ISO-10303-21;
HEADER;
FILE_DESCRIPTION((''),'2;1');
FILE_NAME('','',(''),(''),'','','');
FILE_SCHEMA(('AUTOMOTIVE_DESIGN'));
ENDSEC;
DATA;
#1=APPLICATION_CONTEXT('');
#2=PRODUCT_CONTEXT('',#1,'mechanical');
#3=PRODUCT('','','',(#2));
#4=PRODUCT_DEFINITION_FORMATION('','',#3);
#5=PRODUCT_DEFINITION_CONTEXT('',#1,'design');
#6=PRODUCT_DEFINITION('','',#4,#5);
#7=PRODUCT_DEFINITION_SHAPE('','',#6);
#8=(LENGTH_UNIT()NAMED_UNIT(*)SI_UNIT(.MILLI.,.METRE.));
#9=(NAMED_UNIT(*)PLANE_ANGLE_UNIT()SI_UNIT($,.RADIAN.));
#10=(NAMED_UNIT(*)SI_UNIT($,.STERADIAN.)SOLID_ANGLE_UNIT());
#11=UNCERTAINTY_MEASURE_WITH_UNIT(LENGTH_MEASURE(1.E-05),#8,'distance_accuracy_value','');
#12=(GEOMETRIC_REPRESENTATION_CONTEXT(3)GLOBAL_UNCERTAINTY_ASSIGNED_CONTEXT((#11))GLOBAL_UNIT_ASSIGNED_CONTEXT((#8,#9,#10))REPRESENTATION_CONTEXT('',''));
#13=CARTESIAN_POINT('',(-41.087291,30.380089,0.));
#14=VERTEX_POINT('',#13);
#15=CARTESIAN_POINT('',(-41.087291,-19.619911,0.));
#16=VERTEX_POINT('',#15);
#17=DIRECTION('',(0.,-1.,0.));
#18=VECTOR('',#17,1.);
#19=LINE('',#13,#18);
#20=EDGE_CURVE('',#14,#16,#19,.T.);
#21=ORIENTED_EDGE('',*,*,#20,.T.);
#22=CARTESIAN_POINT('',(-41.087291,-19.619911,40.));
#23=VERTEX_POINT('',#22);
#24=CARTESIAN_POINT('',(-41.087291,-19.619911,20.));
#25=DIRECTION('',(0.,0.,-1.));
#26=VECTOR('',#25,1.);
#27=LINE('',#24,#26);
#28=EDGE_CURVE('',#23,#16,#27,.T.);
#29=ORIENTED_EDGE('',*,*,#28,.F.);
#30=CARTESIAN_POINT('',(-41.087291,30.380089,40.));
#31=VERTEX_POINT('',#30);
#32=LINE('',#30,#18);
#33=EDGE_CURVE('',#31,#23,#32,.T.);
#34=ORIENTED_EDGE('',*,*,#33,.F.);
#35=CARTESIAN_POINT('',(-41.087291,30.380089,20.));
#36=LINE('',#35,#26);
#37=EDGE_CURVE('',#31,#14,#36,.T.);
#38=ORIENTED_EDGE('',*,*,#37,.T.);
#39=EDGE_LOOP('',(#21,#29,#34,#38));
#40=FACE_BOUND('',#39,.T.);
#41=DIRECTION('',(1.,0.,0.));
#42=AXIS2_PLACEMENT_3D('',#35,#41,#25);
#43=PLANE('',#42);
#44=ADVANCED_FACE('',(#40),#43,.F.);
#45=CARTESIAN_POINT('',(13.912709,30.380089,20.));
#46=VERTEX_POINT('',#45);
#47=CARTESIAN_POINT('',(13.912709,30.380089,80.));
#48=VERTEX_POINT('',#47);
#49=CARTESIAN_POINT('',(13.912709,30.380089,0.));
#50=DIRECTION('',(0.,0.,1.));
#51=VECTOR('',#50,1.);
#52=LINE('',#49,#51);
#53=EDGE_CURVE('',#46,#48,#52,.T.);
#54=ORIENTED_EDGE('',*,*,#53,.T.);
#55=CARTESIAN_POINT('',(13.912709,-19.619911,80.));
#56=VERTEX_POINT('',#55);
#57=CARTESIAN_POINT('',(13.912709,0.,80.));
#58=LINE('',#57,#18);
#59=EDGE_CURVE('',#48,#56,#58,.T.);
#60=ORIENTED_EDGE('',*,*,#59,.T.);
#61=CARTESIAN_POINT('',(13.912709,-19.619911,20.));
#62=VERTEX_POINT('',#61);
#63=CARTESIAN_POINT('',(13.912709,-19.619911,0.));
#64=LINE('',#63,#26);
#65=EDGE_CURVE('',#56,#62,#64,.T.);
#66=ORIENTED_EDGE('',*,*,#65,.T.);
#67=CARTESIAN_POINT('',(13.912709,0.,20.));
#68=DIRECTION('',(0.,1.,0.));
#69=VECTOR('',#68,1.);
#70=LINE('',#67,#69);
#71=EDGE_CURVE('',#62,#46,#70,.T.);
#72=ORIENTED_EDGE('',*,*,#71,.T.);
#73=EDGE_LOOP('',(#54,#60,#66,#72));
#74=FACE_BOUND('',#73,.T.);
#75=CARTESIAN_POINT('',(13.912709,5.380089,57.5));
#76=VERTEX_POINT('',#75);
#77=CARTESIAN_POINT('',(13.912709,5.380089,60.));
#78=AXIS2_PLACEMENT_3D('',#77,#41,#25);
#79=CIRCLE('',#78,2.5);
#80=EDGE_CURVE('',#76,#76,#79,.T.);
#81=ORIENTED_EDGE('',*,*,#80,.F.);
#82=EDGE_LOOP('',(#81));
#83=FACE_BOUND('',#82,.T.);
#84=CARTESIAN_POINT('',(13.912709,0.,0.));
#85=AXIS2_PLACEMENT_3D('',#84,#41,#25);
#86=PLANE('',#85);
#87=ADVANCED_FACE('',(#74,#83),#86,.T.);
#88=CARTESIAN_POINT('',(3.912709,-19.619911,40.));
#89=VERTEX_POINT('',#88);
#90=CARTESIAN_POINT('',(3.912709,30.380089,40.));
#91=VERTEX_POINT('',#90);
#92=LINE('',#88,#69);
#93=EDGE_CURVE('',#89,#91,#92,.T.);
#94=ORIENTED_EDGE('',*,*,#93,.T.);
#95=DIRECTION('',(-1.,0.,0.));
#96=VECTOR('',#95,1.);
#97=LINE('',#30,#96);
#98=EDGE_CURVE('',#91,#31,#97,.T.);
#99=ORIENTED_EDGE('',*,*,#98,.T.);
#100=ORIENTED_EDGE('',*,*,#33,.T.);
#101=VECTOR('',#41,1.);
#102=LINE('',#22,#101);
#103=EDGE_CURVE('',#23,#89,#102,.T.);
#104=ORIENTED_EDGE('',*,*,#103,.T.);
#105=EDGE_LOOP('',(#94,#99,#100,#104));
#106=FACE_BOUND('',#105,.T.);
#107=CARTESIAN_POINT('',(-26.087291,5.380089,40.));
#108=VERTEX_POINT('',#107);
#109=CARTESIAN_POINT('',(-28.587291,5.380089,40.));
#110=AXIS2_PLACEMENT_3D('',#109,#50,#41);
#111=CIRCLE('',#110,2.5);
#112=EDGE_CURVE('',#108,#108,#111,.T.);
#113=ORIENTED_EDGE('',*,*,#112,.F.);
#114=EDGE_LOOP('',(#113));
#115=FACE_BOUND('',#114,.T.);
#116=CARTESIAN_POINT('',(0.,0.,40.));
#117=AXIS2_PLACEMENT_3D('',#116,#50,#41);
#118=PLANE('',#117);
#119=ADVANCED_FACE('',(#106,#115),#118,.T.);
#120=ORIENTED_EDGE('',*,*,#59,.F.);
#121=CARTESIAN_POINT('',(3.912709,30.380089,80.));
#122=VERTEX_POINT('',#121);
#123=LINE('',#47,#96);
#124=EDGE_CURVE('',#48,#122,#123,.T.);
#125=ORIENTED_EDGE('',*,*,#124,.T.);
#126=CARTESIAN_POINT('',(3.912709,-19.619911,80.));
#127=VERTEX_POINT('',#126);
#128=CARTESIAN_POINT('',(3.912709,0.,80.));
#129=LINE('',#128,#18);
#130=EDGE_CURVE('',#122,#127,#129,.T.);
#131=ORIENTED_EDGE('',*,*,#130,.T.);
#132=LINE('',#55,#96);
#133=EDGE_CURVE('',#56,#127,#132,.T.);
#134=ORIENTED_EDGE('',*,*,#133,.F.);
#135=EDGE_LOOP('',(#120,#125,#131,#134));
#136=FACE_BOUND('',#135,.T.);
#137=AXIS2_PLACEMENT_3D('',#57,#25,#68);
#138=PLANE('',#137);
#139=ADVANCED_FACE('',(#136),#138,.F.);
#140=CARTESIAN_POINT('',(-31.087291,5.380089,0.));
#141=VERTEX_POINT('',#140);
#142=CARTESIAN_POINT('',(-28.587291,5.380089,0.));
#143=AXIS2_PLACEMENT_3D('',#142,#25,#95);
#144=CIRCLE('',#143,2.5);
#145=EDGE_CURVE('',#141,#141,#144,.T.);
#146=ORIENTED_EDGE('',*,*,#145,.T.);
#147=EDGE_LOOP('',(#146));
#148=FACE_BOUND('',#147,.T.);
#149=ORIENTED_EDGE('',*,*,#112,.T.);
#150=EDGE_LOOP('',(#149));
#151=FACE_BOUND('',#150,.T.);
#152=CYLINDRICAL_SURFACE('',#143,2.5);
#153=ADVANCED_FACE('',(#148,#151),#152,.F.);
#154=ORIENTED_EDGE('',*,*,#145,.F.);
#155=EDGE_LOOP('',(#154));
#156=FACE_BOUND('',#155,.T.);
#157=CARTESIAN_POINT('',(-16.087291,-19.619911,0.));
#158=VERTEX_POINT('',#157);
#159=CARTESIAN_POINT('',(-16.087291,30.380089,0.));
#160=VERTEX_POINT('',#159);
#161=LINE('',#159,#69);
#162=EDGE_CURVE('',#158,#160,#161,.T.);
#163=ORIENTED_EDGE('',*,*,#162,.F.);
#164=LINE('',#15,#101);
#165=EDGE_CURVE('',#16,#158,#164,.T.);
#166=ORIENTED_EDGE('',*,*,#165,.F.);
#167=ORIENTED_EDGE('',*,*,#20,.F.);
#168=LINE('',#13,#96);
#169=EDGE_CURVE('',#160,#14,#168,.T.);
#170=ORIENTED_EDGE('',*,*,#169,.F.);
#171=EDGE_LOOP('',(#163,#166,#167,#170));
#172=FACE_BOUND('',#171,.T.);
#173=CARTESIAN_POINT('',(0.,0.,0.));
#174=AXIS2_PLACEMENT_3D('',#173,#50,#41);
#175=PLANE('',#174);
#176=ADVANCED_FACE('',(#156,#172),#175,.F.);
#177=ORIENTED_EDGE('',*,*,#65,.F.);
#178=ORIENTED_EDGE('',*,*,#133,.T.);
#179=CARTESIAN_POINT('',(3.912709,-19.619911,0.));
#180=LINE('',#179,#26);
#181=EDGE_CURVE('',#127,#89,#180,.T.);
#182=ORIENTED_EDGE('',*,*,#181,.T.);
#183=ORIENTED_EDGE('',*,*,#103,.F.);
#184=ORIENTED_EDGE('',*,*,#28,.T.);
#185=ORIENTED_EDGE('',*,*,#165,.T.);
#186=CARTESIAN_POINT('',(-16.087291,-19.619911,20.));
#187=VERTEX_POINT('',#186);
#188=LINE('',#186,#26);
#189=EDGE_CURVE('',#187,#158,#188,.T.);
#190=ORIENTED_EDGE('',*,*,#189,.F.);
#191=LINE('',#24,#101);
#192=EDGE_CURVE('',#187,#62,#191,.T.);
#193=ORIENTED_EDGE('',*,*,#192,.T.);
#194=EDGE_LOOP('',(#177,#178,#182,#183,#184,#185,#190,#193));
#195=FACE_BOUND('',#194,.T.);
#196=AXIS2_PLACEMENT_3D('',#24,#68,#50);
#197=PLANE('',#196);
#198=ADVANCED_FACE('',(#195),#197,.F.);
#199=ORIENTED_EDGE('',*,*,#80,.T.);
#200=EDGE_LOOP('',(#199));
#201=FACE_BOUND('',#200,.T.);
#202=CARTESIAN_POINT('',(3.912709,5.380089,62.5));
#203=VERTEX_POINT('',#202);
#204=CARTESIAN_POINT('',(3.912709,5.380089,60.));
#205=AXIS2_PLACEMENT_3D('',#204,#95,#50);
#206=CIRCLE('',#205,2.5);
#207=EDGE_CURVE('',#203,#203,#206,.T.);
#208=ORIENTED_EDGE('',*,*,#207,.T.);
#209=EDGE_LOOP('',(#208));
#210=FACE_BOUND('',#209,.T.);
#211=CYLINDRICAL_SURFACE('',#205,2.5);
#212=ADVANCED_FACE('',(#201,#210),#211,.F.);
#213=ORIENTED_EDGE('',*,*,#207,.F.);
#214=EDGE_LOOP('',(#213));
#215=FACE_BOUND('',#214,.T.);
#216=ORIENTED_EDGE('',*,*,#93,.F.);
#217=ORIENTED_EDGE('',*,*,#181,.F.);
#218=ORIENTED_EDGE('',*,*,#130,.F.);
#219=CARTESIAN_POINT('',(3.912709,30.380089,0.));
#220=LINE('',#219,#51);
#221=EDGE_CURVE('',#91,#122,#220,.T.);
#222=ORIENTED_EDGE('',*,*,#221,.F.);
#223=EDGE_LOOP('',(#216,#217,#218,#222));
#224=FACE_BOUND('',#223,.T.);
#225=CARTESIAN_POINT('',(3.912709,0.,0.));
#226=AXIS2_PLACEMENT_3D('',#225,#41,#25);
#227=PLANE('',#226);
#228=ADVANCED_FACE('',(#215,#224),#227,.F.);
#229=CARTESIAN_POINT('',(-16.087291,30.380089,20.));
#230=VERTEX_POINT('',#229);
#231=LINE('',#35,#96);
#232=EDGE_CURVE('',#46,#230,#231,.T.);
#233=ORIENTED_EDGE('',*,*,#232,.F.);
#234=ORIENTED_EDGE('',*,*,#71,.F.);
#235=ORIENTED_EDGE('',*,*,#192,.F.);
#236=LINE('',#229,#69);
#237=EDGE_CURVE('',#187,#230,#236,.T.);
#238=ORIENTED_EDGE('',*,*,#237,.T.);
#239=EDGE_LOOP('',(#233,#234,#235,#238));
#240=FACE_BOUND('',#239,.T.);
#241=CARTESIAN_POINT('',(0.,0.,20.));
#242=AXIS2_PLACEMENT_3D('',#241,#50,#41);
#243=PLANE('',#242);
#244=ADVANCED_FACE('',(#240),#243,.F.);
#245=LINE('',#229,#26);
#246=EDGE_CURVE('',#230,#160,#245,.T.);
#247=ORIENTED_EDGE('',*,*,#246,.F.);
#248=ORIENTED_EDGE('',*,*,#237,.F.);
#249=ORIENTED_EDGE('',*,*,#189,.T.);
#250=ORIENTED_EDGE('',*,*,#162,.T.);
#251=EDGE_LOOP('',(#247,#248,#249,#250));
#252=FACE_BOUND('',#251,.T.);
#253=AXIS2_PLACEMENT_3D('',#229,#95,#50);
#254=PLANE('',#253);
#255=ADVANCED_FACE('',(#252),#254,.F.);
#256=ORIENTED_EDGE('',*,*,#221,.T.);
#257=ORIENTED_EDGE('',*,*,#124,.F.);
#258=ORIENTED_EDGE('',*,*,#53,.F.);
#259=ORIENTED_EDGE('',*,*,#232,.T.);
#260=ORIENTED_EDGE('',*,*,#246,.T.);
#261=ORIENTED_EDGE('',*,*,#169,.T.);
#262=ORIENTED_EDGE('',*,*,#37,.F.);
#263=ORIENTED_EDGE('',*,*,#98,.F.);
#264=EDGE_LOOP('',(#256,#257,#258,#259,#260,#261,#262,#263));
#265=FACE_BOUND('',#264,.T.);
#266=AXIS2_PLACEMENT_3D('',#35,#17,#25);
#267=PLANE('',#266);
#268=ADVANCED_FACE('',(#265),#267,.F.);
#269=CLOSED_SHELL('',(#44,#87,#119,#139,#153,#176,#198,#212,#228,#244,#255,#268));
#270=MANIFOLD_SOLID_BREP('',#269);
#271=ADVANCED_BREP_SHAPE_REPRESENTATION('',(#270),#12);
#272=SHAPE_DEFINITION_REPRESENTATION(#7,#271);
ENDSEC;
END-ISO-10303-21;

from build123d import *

# Parameters (mm, degrees)
CROQUIS1_W                                     = 25
CROQUIS1_H                                     = 50
SALIENTE_EXTRUIR1_DEPTH                        = 20
CROQUIS2_W                                     = 45
CROQUIS2_H                                     = 50
SALIENTE_EXTRUIR2_DEPTH                        = 20
CROQUIS5_W                                     = 20
CROQUIS5_H                                     = 50
CROQUIS5_W_2                                   = 40
SALIENTE_EXTRUIR3_DEPTH                        = 10
PERFORADOR_PARA_ROSCAR_PARA_MACHO_DE_ROS_D     = 5
PERFORADOR_PARA_ROSCAR_PARA_MACHO_DE_ROS_DEPTH = 11
PERFORADOR_PARA_ROSCAR_PARA_MACHO_DE_ROS_TIP   = 1.502151548
PERFORADOR_PARA_ROSCAR_PARA_MACHO_DE_2_D       = 5


with BuildPart() as part:
    # Croquis1 → Saliente-Extruir1 (new body)
    with BuildSketch(Plane.XY):
        with Locations((-28.587290739, 5.380089213)):
            Rectangle(CROQUIS1_W, CROQUIS1_H)
    extrude(amount=SALIENTE_EXTRUIR1_DEPTH)

    # Croquis2 → Saliente-Extruir2 (add)
    with BuildSketch(Plane.XY.offset(20)):
        with Locations((-18.587290739, 5.380089213)):
            Rectangle(CROQUIS2_W, CROQUIS2_H)
    extrude(amount=SALIENTE_EXTRUIR2_DEPTH)

    # Croquis5 → Saliente-Extruir3 (add)
    with BuildSketch(Plane(origin=(3.912709261, 0, 0), x_dir=(0, 0, -1), z_dir=(1, 0, 0))):
        with Locations((-30, 5.380089213)):
            Rectangle(CROQUIS5_W, CROQUIS5_H)
        with Locations((-60, 5.380089213)):
            Rectangle(CROQUIS5_W_2, CROQUIS5_H)
    extrude(amount=SALIENTE_EXTRUIR3_DEPTH)

    # Perforador para roscar para macho de ros
    with Locations(Plane(origin=(3.912709261, 5.380089213, 60), x_dir=(0, 0, -1), z_dir=(-1, 0, 0))):
        with Locations((0, 0)):
            Hole(PERFORADOR_PARA_ROSCAR_PARA_MACHO_DE_ROS_D / 2, depth=PERFORADOR_PARA_ROSCAR_PARA_MACHO_DE_ROS_DEPTH)
            with Locations((0, 0, -(PERFORADOR_PARA_ROSCAR_PARA_MACHO_DE_ROS_DEPTH + PERFORADOR_PARA_ROSCAR_PARA_MACHO_DE_ROS_TIP / 2))):  # 118° drill point
                Cone(0, PERFORADOR_PARA_ROSCAR_PARA_MACHO_DE_ROS_D / 2, PERFORADOR_PARA_ROSCAR_PARA_MACHO_DE_ROS_TIP, mode=Mode.SUBTRACT)

    # Perforador para roscar para macho de 2 (through all)
    with Locations(Plane(origin=(-28.587290739, 5.380089213, 0), x_dir=(-1, 0, 0), z_dir=(0, 0, -1))):
        with Locations((0, 0)):
            Hole(PERFORADOR_PARA_ROSCAR_PARA_MACHO_DE_2_D / 2)


solid = part.part
